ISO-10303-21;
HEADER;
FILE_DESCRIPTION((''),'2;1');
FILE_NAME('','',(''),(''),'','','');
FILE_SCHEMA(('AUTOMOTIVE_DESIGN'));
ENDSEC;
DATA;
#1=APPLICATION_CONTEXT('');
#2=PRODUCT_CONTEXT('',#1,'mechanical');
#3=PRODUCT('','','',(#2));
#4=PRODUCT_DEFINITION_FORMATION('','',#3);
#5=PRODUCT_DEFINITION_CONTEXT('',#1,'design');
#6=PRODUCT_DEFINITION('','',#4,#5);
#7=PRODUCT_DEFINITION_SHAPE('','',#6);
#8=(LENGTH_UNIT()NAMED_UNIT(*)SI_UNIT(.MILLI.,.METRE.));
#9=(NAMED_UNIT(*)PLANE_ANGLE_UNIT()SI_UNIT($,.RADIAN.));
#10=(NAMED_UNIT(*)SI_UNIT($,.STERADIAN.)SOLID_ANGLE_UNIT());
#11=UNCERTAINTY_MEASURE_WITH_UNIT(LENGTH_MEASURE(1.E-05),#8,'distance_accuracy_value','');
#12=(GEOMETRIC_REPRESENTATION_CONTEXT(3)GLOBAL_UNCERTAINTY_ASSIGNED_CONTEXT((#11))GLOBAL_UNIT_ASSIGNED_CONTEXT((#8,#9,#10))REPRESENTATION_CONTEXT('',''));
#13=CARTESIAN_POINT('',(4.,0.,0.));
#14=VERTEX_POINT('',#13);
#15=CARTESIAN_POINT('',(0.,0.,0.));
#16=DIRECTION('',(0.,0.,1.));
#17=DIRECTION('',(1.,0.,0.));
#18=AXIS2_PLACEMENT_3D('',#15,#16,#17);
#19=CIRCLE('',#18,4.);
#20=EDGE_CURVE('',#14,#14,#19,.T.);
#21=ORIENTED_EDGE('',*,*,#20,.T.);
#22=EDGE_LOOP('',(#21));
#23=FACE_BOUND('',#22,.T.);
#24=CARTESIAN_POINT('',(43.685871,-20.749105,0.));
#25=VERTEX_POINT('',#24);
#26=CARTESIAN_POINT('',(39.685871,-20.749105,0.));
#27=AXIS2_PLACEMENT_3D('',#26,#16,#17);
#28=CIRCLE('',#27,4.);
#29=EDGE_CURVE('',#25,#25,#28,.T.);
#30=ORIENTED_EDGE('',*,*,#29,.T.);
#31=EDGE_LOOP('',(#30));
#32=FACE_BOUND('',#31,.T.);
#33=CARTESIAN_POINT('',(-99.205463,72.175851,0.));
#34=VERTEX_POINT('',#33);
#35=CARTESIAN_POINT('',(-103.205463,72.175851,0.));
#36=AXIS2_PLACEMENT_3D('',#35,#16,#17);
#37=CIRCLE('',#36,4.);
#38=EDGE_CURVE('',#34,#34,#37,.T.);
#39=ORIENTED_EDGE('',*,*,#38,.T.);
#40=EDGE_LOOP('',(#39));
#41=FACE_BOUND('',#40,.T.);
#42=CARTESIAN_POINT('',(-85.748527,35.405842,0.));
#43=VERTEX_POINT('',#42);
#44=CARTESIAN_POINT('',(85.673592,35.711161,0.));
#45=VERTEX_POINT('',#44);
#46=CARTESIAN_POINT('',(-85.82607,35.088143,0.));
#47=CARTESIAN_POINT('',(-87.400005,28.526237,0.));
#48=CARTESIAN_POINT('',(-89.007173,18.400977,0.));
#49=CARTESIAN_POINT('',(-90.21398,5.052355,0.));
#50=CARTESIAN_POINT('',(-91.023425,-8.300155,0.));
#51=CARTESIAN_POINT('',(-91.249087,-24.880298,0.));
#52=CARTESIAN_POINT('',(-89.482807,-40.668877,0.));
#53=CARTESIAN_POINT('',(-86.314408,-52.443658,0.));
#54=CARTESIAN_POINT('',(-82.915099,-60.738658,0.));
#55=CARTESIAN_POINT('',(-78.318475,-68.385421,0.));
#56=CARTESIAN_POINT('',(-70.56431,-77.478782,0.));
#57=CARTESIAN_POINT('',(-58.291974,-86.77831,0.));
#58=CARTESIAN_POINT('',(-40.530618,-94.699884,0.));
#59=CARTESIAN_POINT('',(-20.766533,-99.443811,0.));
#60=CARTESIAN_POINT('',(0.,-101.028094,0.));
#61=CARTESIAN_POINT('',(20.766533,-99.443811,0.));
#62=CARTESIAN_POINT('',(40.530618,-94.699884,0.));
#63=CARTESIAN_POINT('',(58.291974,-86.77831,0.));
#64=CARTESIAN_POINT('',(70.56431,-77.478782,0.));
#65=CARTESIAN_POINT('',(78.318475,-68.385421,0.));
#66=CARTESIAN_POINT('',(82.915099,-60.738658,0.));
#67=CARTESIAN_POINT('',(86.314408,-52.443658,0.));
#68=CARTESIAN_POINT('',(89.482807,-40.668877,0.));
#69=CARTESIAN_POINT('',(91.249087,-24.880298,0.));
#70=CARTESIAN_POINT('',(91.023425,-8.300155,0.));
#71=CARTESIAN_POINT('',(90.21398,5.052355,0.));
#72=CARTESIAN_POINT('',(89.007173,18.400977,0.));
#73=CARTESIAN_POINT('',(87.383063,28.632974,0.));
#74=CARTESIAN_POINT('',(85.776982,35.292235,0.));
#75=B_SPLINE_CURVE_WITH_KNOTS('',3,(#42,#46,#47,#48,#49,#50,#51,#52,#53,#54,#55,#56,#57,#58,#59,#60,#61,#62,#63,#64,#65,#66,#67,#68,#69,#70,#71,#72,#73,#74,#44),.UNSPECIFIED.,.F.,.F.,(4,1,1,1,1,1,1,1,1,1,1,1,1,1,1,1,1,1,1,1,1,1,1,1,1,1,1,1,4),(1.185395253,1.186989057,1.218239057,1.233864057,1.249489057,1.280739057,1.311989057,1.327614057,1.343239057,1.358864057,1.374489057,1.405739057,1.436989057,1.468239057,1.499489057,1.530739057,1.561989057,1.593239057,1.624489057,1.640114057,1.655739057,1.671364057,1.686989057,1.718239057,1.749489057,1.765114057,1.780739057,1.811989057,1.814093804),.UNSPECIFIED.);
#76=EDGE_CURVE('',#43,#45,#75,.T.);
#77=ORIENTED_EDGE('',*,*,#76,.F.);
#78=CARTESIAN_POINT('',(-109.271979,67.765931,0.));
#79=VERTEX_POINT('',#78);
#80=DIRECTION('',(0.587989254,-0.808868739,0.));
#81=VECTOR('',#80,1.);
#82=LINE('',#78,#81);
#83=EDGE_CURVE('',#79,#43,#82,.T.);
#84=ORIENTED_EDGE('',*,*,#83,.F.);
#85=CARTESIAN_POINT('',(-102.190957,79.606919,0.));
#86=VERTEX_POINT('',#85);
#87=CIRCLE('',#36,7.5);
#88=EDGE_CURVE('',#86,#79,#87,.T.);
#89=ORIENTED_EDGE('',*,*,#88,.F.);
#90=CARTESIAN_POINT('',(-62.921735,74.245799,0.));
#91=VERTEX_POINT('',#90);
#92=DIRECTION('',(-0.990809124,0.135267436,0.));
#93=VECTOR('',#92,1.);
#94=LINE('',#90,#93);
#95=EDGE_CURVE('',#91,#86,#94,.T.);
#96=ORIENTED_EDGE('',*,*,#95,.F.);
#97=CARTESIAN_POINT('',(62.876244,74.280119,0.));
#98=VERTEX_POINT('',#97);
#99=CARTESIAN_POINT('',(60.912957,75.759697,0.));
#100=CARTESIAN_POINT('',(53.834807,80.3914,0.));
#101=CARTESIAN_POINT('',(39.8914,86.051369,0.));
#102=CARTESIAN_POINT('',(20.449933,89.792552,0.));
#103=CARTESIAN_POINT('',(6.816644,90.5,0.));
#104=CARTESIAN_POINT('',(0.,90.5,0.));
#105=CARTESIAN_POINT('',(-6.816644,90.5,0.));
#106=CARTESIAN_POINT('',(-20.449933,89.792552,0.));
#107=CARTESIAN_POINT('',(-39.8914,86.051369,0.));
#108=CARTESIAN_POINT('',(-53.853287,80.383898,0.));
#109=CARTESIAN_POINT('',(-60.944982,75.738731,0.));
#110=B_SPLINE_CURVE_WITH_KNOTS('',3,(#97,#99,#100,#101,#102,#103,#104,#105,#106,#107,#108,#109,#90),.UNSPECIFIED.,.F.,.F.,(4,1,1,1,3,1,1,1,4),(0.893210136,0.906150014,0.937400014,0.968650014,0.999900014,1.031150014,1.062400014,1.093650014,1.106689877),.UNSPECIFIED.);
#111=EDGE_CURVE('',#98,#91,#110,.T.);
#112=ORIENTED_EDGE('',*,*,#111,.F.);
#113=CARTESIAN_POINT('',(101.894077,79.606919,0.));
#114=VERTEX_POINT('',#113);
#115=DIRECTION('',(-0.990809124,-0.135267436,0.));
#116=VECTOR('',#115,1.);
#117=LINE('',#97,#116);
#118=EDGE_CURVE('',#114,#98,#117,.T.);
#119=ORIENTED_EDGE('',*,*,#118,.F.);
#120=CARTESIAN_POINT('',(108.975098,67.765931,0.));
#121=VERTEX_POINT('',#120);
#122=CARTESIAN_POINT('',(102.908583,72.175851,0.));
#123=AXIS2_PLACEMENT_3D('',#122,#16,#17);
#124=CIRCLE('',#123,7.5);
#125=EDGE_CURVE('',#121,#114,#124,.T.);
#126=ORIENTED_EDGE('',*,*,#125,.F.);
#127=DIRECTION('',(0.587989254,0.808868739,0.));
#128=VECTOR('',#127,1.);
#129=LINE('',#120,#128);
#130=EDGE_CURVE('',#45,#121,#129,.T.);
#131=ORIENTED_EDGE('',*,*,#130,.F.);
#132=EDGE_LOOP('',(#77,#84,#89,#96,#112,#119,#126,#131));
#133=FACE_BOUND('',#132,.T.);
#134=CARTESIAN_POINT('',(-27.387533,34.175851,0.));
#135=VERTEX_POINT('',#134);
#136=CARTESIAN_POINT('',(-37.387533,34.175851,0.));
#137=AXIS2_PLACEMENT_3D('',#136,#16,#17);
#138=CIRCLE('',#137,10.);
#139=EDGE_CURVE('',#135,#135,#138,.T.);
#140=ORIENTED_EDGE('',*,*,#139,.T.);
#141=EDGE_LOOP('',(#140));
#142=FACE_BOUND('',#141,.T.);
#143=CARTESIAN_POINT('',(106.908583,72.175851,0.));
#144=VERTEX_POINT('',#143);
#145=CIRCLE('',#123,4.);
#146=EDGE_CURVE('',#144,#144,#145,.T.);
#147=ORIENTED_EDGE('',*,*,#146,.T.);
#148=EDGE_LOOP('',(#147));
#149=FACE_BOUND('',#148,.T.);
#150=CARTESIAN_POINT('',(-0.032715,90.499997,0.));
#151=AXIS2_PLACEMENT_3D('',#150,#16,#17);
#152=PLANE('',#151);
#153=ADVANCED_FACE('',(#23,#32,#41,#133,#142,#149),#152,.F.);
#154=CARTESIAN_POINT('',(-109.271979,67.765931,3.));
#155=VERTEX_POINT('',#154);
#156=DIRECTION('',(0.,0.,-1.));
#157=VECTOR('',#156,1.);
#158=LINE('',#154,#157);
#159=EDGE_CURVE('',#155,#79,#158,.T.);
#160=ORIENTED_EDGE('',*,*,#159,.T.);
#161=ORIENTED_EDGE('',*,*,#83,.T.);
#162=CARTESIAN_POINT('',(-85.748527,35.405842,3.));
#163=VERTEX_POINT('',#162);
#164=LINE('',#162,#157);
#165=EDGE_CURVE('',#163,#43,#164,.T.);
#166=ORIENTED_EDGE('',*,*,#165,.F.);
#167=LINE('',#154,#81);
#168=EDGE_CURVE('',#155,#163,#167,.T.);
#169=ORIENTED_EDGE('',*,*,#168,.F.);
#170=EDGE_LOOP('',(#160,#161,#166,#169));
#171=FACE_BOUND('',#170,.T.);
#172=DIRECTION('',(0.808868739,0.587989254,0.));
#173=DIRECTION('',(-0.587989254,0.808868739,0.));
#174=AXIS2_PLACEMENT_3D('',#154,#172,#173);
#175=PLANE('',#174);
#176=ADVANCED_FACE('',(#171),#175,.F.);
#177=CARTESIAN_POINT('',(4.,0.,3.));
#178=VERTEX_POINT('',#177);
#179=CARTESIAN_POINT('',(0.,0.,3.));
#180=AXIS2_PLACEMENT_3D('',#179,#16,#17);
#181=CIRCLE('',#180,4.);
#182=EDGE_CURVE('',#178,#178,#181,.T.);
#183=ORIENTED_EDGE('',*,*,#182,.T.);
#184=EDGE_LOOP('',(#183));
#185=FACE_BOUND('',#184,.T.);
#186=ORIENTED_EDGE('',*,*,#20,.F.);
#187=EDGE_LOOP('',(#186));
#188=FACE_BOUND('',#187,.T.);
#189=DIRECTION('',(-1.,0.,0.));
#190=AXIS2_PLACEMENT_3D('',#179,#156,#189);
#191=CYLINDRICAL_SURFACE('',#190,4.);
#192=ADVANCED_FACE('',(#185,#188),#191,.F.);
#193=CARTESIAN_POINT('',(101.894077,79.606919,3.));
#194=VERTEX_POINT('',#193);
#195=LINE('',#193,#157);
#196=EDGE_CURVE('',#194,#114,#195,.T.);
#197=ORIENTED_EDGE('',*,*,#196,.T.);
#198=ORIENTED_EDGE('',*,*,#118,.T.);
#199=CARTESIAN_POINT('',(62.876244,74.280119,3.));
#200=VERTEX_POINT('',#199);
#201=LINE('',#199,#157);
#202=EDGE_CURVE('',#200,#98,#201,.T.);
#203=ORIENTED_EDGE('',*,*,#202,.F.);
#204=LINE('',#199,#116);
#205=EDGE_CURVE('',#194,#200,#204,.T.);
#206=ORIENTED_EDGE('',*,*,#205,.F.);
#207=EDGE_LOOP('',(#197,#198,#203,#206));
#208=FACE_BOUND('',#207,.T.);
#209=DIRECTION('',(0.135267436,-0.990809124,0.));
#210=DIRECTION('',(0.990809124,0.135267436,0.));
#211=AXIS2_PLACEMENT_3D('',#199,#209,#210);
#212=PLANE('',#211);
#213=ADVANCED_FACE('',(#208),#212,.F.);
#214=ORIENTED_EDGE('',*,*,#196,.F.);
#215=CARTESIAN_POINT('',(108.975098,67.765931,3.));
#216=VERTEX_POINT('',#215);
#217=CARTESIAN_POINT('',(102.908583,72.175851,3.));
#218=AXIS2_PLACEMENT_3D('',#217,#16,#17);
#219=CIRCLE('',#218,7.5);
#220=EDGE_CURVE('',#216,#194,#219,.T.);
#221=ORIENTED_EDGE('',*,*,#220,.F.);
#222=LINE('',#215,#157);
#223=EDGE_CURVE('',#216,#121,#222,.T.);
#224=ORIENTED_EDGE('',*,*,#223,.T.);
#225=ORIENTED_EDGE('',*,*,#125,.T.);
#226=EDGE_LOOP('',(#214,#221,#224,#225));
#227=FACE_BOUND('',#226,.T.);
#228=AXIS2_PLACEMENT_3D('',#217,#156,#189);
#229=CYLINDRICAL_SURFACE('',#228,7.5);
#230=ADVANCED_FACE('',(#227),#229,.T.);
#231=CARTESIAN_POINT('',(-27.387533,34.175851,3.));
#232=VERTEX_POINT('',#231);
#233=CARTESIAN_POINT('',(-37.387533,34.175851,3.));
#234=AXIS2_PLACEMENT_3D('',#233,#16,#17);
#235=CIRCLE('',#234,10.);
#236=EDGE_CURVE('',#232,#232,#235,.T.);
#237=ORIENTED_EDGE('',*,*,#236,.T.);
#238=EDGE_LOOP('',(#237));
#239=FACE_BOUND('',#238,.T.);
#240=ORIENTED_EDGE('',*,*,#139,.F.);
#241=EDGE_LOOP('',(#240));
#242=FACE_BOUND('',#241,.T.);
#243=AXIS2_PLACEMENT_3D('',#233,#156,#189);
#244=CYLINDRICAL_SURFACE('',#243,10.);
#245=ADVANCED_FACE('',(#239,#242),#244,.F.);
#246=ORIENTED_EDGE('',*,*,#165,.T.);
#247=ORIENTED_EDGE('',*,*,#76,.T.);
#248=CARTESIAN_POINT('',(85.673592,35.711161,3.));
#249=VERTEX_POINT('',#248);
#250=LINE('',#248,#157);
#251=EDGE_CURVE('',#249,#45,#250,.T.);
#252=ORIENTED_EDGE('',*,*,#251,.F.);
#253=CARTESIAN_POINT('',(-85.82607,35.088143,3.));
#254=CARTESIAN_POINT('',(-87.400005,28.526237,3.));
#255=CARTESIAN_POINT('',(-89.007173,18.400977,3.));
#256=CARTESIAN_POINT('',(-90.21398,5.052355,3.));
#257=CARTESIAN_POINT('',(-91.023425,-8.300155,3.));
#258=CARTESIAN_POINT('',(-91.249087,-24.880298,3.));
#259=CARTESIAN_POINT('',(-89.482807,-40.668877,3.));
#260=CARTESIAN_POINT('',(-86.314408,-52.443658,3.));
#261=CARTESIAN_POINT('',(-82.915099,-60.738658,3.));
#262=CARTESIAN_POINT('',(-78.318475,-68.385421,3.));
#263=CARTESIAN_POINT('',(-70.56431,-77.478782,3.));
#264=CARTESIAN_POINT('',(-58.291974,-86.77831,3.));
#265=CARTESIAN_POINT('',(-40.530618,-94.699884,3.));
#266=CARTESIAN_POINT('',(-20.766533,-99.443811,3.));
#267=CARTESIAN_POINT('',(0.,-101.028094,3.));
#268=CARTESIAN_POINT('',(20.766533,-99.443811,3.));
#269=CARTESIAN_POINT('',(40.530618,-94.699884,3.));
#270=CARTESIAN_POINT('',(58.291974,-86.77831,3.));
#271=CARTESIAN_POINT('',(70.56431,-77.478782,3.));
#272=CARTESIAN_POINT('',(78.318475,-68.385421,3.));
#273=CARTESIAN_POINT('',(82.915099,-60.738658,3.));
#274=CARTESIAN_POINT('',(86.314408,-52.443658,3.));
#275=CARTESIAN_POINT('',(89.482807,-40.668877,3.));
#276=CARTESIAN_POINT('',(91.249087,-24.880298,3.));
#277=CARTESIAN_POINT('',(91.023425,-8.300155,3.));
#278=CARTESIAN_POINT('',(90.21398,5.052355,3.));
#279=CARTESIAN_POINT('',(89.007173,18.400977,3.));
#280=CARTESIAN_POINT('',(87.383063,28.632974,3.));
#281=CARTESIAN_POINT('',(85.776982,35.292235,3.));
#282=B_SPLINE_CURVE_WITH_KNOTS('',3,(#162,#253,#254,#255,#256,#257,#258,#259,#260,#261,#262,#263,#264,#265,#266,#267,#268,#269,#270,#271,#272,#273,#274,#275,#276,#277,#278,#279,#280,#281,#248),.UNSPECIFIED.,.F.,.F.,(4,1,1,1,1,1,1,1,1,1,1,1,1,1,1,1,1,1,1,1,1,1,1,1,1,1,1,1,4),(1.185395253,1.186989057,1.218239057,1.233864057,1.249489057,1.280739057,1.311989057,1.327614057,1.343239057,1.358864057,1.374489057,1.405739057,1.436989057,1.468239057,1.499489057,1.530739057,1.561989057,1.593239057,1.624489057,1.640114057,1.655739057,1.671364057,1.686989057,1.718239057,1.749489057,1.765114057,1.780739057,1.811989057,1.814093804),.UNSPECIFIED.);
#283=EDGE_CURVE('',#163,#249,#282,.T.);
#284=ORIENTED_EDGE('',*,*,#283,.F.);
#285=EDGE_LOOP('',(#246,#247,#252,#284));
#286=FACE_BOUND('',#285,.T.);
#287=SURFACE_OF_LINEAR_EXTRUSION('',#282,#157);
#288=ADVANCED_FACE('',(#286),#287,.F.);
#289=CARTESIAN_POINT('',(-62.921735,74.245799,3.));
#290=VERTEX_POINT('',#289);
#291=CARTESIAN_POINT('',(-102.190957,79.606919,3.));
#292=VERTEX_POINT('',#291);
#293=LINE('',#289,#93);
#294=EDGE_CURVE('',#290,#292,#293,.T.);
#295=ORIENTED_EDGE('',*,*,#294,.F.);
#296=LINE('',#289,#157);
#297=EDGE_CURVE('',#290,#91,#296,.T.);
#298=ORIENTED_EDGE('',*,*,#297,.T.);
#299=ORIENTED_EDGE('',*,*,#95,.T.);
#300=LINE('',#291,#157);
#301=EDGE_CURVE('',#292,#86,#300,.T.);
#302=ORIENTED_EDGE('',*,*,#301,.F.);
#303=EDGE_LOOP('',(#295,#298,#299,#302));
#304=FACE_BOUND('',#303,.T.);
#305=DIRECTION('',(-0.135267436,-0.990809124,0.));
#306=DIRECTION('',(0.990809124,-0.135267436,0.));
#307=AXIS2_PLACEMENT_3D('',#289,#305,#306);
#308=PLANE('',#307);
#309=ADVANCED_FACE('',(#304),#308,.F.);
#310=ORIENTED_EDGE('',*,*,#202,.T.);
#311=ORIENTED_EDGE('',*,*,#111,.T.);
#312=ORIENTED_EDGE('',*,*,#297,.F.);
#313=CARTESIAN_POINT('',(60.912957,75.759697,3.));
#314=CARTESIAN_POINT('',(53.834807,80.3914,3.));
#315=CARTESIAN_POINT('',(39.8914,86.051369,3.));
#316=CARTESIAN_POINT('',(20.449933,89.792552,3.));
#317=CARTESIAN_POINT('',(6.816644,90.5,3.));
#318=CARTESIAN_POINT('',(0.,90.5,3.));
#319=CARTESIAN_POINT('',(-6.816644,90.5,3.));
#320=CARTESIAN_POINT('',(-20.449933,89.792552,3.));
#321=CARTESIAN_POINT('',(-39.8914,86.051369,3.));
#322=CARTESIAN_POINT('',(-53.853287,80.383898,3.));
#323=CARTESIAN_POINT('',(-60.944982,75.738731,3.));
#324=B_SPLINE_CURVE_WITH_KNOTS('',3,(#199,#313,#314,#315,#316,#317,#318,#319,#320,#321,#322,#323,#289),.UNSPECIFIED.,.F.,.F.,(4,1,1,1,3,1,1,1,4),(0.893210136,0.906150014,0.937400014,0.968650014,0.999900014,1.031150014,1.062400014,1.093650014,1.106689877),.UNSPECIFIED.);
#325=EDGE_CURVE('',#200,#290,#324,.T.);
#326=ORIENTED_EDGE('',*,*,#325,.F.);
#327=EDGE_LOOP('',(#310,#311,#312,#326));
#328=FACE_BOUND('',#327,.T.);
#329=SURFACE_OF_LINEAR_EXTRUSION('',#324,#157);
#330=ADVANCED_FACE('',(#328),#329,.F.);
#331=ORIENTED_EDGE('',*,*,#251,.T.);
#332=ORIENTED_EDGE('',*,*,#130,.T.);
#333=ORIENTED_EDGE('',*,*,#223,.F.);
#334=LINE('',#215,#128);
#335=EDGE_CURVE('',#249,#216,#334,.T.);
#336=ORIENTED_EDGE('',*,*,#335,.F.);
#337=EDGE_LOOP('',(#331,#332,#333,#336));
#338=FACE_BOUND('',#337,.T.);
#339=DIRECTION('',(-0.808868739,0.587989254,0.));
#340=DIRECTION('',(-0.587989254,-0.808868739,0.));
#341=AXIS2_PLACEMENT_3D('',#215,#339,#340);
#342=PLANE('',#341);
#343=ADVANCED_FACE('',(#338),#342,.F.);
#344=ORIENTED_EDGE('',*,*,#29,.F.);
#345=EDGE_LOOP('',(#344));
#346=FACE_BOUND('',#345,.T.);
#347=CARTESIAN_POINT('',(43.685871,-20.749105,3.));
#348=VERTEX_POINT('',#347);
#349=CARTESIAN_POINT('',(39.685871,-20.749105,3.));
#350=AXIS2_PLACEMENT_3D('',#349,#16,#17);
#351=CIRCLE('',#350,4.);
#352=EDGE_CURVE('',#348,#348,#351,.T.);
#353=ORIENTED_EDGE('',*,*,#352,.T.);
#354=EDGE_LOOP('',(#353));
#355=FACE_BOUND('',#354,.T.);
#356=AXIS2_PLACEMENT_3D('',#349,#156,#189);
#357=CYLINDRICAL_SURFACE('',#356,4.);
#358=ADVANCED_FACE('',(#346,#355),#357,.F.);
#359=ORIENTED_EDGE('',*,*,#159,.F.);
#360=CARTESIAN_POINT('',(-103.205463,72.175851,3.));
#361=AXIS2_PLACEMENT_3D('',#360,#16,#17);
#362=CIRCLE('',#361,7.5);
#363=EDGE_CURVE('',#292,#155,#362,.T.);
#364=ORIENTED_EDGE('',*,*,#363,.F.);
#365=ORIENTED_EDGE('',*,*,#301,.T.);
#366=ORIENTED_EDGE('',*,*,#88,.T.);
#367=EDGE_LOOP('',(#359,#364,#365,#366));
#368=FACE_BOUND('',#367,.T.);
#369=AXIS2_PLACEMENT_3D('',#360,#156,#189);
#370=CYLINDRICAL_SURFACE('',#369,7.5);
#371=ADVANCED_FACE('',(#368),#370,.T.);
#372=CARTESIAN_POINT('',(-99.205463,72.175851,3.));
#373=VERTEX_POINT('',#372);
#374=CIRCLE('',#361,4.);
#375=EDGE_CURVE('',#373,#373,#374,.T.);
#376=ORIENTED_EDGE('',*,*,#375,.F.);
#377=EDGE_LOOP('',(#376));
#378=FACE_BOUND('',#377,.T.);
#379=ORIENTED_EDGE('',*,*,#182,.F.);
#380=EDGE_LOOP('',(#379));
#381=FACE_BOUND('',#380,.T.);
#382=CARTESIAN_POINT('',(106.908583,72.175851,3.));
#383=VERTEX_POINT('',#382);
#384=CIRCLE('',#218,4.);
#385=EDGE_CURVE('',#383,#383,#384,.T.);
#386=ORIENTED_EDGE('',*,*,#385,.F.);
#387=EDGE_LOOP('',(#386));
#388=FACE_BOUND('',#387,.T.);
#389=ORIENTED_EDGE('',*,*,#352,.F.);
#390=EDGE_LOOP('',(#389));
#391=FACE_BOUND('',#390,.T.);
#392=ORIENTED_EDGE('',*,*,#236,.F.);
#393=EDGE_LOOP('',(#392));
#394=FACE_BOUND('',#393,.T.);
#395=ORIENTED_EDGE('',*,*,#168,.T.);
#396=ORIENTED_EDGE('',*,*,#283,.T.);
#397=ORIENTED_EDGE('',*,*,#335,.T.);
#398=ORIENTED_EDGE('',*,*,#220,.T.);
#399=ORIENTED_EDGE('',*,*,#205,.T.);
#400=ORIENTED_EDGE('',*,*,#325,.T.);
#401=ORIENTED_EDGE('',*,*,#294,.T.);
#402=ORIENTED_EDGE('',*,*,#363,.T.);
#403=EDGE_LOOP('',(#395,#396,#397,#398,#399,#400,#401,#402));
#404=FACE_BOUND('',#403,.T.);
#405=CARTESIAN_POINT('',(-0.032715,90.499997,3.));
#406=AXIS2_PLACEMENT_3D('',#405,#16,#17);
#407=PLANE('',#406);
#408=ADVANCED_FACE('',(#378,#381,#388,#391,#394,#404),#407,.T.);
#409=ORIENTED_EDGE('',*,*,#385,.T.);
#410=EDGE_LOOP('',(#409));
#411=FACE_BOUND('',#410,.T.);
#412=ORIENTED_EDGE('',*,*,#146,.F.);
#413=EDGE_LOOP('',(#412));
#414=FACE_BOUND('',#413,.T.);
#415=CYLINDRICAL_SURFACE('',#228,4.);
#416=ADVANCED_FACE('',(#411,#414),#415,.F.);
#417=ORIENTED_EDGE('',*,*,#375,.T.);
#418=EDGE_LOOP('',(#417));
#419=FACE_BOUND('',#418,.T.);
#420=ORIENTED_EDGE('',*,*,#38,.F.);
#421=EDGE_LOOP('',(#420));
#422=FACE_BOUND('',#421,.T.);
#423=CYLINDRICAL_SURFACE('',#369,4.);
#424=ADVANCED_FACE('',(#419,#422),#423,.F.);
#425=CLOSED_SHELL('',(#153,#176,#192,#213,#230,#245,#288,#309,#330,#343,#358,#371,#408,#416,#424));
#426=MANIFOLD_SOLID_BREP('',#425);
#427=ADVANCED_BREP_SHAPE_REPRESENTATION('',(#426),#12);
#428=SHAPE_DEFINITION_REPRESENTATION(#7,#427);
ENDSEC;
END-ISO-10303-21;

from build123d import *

# Parameters (mm, degrees)
SKETCH_2_R      = 4
SKETCH_2_R_2    = 4.000000012
SKETCH_2_R_3    = 10
EXTRUDE_2_DEPTH = 3


with BuildPart() as part:
    # 草图2 → 凸台-拉伸2 (new body)
    with BuildSketch(Plane.XY):
        with BuildLine():
            Line((-62.921735182, 74.245798648), (-102.190957478, 79.606919068))
            ThreePointArc((-102.190957478, 79.606919068), (-109.642306337, 76.02514292), (-109.271978796, 67.765931231))
            Line((-109.271978796, 67.765931231), (-85.74852731, 35.405842289))
            add(Edge.make_bspline(
                [(85.673591965, 35.711161483), (85.776981576, 35.292234587), (87.38306318, 28.632974431), (89.007173167, 18.400976728), (90.213980049, 5.05235491), (91.023425479, -8.300155004), (91.249087203, -24.88029803), (89.482806545, -40.668877417), (86.31440773, -52.443657906), (82.915098619, -60.73865793), (78.31847455, -68.385420626), (70.564310171, -77.478782389), (58.291973958, -86.77831017), (40.530617706, -94.699883912), (20.766532671, -99.44381146), (8e-09, -101.028094273), (-20.766532656, -99.44381146), (-40.530617691, -94.699883912), (-58.291973943, -86.77831017), (-70.564310156, -77.478782389), (-78.318474535, -68.385420626), (-82.915098604, -60.73865793), (-86.314407715, -52.443657906), (-89.48280653, -40.668877417), (-91.249087188, -24.88029803), (-91.023425464, -8.300155004), (-90.213980034, 5.05235491), (-89.007173152, 18.400976728), (-87.400005421, 28.526237122), (-85.826069563, 35.088143132), (-85.74852731, 35.405842289)],
                knots=[1.185395253, 1.185395253, 1.185395253, 1.185395253, 1.1875, 1.21875, 1.234375, 1.25, 1.28125, 1.3125, 1.328125, 1.34375, 1.359375, 1.375, 1.40625, 1.4375, 1.46875, 1.5, 1.53125, 1.5625, 1.59375, 1.625, 1.640625, 1.65625, 1.671875, 1.6875, 1.71875, 1.75, 1.765625, 1.78125, 1.8125, 1.814093804, 1.814093804, 1.814093804, 1.814093804], degree=3))
            Line((85.673591965, 35.711161483), (108.975098403, 67.765931229))
            ThreePointArc((108.975098403, 67.765931229), (109.345425949, 76.025142922), (101.894077084, 79.60691907))
            Line((101.894077084, 79.60691907), (62.876243855, 74.280118836))
            add(Edge.make_bspline(
                [(-62.921735182, 74.245798648), (-60.944982302, 75.738730542), (-53.853287332, 80.383898318), (-39.891400193, 86.051368752), (-20.449933028, 89.79255158), (-6.816644338, 90.499999998), (8e-09, 90.499999998), (6.816644353, 90.499999998), (20.449933043, 89.79255158), (39.891400208, 86.051368752), (53.834807053, 80.39139992), (60.912957084, 75.759697163), (62.876243855, 74.280118836)],
                knots=[0.893210136, 0.893210136, 0.893210136, 0.893210136, 0.90625, 0.9375, 0.96875, 1, 1, 1, 1.03125, 1.0625, 1.09375, 1.106689877, 1.106689877, 1.106689877, 1.106689877], degree=3))
        make_face()
        Circle(SKETCH_2_R, mode=Mode.SUBTRACT)
        with Locations((39.685870853, -20.749105073)):
            Circle(SKETCH_2_R_2, mode=Mode.SUBTRACT)
        with Locations((-103.20546325, 72.175850635)):
            Circle(SKETCH_2_R, mode=Mode.SUBTRACT)
        with Locations((102.908582862, 72.175850639)):
            Circle(SKETCH_2_R, mode=Mode.SUBTRACT)
        with Locations((-37.387532562, 34.175850637)):
            Circle(SKETCH_2_R_3, mode=Mode.SUBTRACT)
    extrude(amount=EXTRUDE_2_DEPTH)


solid = part.part
